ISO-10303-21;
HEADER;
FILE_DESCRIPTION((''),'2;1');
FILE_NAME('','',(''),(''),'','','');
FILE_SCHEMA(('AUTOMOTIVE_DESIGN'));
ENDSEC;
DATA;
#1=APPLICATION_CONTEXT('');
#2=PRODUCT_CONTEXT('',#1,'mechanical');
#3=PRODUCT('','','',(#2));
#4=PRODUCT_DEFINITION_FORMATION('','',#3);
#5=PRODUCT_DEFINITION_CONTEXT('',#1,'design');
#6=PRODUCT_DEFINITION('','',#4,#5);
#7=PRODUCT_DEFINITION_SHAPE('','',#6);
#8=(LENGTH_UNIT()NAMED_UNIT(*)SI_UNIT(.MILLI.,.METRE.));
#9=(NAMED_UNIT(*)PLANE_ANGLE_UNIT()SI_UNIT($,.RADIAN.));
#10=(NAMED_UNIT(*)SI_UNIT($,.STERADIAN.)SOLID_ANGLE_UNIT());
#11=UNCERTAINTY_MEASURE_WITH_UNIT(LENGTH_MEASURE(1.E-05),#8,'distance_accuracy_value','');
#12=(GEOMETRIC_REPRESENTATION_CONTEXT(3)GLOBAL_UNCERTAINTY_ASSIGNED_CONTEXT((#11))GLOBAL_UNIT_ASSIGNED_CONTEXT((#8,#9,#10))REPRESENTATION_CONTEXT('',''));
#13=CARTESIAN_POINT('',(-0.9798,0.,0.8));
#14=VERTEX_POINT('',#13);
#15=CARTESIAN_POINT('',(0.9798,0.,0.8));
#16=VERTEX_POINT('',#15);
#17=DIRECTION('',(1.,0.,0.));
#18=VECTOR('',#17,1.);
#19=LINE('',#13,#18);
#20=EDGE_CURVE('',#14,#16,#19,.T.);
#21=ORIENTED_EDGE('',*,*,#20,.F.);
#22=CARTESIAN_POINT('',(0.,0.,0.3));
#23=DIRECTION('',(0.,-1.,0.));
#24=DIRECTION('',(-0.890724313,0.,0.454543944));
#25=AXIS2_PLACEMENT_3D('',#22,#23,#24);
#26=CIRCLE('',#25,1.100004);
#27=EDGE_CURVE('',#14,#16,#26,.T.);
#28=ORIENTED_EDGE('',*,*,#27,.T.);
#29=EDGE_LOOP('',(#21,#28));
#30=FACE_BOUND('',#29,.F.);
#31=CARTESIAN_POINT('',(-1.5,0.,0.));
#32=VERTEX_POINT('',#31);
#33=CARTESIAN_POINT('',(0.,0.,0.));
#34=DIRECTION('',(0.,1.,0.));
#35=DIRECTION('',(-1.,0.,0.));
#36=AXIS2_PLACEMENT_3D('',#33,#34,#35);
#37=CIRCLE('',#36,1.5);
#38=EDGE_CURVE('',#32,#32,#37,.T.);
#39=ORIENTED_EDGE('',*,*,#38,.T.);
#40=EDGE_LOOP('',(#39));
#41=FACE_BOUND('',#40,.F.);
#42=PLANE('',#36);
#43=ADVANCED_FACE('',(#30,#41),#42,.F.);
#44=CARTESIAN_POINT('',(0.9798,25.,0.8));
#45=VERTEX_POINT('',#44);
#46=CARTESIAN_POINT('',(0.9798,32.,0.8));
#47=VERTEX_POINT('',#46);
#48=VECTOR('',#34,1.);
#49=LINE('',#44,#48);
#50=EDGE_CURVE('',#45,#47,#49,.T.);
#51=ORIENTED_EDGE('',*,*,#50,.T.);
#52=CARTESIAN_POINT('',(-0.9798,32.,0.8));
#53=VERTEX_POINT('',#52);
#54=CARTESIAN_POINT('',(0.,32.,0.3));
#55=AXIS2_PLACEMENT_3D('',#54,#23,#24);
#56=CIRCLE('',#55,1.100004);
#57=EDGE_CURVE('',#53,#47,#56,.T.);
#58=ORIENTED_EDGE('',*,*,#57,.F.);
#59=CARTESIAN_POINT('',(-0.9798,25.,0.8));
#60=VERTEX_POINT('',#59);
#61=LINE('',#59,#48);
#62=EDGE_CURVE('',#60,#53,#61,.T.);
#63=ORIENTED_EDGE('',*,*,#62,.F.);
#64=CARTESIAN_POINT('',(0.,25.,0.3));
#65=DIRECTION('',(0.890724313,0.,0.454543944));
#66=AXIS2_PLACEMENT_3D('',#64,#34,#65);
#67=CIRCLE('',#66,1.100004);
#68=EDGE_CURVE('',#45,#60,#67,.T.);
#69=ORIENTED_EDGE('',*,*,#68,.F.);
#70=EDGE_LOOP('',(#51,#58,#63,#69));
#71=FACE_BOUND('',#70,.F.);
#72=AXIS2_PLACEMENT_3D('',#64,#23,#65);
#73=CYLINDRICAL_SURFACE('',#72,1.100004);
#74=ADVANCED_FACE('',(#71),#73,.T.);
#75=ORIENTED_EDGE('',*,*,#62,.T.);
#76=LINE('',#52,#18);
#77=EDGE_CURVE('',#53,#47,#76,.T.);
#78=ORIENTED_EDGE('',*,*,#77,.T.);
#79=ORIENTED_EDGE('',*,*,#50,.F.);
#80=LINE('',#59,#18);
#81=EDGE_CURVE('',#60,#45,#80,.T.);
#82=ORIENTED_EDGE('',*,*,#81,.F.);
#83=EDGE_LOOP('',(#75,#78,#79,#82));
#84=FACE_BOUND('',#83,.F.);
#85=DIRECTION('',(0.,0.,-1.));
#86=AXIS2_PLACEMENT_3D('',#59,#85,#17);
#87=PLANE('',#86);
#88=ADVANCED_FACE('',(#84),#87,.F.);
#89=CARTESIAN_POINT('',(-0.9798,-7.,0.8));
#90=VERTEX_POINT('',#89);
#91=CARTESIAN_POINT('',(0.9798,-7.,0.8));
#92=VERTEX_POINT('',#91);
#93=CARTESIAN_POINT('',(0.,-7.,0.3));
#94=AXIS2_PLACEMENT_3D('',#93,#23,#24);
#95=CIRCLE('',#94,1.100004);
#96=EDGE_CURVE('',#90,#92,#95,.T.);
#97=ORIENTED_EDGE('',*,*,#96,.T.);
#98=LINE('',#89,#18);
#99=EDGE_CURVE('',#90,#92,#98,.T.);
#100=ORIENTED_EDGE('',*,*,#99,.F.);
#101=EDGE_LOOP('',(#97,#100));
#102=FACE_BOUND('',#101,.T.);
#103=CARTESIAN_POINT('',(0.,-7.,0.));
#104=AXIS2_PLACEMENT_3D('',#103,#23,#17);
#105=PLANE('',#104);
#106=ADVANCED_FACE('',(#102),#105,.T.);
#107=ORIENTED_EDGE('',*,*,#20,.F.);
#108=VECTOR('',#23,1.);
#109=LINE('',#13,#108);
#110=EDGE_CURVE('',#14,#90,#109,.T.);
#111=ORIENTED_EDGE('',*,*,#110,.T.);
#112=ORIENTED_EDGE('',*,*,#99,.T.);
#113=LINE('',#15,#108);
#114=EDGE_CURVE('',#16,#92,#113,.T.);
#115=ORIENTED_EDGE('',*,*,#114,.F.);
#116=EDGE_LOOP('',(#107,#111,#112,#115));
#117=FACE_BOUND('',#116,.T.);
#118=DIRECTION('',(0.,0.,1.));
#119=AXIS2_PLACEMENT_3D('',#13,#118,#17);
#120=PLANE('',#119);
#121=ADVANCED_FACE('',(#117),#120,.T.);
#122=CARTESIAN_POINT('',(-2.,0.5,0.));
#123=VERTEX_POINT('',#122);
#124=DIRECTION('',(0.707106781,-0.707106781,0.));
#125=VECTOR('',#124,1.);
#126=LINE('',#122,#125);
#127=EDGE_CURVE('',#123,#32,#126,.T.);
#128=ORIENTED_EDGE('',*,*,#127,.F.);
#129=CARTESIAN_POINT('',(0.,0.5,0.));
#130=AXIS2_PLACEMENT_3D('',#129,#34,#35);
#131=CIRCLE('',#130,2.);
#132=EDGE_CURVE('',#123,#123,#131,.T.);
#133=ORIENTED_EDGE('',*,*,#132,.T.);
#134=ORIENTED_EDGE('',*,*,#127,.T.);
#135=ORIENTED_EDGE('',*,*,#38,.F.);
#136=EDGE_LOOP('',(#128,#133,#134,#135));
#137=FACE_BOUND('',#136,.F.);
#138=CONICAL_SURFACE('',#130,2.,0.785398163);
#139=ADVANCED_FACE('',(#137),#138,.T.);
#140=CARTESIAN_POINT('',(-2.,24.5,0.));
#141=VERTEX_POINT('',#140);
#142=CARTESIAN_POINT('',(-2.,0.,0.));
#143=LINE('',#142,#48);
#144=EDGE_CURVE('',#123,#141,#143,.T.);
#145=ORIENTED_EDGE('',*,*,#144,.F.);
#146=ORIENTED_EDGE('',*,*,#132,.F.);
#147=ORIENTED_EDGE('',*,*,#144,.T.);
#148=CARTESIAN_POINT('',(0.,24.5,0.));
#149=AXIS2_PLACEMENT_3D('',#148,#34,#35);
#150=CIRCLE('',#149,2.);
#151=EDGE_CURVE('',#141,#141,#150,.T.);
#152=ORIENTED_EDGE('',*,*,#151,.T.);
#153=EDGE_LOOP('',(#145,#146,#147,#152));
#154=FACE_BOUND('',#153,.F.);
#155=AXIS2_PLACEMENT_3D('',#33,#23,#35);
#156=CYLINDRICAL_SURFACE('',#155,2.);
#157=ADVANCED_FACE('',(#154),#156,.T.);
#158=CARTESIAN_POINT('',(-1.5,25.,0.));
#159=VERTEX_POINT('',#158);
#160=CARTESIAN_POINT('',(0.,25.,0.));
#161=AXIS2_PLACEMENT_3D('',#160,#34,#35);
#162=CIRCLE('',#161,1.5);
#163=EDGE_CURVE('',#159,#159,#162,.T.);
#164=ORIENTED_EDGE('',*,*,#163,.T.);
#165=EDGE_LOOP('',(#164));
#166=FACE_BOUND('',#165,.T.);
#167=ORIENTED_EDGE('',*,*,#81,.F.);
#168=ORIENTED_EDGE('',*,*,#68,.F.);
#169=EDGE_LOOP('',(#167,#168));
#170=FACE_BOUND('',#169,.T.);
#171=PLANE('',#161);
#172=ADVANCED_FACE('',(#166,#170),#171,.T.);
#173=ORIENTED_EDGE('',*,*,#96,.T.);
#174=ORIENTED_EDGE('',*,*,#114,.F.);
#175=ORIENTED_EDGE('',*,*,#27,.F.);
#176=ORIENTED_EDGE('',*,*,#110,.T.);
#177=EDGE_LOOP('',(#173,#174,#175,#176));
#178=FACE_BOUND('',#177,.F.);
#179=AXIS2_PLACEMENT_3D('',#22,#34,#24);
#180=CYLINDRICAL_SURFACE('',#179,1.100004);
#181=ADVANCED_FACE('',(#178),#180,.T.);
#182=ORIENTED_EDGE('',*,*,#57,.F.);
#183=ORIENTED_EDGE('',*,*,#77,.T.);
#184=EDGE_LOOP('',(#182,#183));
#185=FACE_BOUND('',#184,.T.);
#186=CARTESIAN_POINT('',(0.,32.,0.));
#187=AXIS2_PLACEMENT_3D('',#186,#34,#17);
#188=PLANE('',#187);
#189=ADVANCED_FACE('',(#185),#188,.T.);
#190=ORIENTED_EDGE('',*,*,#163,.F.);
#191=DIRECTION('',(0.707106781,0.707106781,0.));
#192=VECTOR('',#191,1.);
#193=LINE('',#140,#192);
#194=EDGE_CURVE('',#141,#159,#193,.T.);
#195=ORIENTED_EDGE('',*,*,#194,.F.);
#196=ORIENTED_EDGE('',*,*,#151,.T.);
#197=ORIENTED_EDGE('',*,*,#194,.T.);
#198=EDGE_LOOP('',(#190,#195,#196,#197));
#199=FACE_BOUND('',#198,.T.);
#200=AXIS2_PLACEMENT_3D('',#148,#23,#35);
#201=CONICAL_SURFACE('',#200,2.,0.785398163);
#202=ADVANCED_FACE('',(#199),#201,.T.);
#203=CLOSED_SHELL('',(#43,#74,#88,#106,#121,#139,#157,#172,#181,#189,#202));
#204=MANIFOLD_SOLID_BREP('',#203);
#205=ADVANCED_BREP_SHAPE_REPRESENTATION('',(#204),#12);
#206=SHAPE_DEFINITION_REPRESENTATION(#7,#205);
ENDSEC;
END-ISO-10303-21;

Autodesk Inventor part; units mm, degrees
ref_plane "XZ Plane" through (0, 0, 0) normal (0, 1, 0) x (-1, 0, 0)
ref_plane "XY Plane" through (0, 0, 0) normal (0, 0, 1) x (1, 0, 0)
sketch "Sketch1" plane through (0, 0, 0) normal (0, 1, 0) x (-1, 0, 0)
  circle A0 centre (0, 0) radius 2
  dimension "d0" = 4
extrude "Extrusion1" add sketch "Sketch1" along normal blind 25
sketch "Sketch2" plane through (0, 25, 0) normal (0, 1, 0) x (1, 0, 0)
  line L0 (0, -2) -> (2.3553, -2)
  line L1 (-0.9798, -0.8) -> (0.9798, -0.8)
  arc A0 (0.9798, -0.8) -> (-0.9798, -0.8) centre (0, -0.3) ccw
  circle A1 centre (0, 0) radius 2 projected
  line L2 (3.2263, 0) -> (-2.8711, 0) projected
  dimension "d4" = 1.2
  dimension "d6" = 1.1
  dimension "d7" = 0.3
extrude "Extrusion2" add sketch "Sketch2" along normal blind 7 contours A0 L2 L1 | A0 L2
sketch "Sketch3" plane through (0, 0, 0) normal (0, -1, 0) x (1, 0, 0)
  line L0 (-0.9798, 0.8) -> (0.9798, 0.8)
  arc A0 (-0.9798, 0.8) -> (0.9798, 0.8) centre (0, 0.3) ccw
  point P0 (0, 0)
  point P1 (0, 0)
  point P2 (0, 0.8)
  dimension "d12" = 1.9596
  dimension "d16" = 1.1
  dimension "d17" = 0.3
extrude "Extrusion3" add sketch "Sketch3" along normal blind 7
chamfer "Chamfer1" distance 0.5 angle 45 1 edges at (2, 25, 0)
chamfer "Chamfer2" distance 0.5 angle 45 1 edges at (2, 0, 0)
equation "\"d4\" = d3"
equation "\"d3\" = 1.2"
properties part number "axle-skibidi"
